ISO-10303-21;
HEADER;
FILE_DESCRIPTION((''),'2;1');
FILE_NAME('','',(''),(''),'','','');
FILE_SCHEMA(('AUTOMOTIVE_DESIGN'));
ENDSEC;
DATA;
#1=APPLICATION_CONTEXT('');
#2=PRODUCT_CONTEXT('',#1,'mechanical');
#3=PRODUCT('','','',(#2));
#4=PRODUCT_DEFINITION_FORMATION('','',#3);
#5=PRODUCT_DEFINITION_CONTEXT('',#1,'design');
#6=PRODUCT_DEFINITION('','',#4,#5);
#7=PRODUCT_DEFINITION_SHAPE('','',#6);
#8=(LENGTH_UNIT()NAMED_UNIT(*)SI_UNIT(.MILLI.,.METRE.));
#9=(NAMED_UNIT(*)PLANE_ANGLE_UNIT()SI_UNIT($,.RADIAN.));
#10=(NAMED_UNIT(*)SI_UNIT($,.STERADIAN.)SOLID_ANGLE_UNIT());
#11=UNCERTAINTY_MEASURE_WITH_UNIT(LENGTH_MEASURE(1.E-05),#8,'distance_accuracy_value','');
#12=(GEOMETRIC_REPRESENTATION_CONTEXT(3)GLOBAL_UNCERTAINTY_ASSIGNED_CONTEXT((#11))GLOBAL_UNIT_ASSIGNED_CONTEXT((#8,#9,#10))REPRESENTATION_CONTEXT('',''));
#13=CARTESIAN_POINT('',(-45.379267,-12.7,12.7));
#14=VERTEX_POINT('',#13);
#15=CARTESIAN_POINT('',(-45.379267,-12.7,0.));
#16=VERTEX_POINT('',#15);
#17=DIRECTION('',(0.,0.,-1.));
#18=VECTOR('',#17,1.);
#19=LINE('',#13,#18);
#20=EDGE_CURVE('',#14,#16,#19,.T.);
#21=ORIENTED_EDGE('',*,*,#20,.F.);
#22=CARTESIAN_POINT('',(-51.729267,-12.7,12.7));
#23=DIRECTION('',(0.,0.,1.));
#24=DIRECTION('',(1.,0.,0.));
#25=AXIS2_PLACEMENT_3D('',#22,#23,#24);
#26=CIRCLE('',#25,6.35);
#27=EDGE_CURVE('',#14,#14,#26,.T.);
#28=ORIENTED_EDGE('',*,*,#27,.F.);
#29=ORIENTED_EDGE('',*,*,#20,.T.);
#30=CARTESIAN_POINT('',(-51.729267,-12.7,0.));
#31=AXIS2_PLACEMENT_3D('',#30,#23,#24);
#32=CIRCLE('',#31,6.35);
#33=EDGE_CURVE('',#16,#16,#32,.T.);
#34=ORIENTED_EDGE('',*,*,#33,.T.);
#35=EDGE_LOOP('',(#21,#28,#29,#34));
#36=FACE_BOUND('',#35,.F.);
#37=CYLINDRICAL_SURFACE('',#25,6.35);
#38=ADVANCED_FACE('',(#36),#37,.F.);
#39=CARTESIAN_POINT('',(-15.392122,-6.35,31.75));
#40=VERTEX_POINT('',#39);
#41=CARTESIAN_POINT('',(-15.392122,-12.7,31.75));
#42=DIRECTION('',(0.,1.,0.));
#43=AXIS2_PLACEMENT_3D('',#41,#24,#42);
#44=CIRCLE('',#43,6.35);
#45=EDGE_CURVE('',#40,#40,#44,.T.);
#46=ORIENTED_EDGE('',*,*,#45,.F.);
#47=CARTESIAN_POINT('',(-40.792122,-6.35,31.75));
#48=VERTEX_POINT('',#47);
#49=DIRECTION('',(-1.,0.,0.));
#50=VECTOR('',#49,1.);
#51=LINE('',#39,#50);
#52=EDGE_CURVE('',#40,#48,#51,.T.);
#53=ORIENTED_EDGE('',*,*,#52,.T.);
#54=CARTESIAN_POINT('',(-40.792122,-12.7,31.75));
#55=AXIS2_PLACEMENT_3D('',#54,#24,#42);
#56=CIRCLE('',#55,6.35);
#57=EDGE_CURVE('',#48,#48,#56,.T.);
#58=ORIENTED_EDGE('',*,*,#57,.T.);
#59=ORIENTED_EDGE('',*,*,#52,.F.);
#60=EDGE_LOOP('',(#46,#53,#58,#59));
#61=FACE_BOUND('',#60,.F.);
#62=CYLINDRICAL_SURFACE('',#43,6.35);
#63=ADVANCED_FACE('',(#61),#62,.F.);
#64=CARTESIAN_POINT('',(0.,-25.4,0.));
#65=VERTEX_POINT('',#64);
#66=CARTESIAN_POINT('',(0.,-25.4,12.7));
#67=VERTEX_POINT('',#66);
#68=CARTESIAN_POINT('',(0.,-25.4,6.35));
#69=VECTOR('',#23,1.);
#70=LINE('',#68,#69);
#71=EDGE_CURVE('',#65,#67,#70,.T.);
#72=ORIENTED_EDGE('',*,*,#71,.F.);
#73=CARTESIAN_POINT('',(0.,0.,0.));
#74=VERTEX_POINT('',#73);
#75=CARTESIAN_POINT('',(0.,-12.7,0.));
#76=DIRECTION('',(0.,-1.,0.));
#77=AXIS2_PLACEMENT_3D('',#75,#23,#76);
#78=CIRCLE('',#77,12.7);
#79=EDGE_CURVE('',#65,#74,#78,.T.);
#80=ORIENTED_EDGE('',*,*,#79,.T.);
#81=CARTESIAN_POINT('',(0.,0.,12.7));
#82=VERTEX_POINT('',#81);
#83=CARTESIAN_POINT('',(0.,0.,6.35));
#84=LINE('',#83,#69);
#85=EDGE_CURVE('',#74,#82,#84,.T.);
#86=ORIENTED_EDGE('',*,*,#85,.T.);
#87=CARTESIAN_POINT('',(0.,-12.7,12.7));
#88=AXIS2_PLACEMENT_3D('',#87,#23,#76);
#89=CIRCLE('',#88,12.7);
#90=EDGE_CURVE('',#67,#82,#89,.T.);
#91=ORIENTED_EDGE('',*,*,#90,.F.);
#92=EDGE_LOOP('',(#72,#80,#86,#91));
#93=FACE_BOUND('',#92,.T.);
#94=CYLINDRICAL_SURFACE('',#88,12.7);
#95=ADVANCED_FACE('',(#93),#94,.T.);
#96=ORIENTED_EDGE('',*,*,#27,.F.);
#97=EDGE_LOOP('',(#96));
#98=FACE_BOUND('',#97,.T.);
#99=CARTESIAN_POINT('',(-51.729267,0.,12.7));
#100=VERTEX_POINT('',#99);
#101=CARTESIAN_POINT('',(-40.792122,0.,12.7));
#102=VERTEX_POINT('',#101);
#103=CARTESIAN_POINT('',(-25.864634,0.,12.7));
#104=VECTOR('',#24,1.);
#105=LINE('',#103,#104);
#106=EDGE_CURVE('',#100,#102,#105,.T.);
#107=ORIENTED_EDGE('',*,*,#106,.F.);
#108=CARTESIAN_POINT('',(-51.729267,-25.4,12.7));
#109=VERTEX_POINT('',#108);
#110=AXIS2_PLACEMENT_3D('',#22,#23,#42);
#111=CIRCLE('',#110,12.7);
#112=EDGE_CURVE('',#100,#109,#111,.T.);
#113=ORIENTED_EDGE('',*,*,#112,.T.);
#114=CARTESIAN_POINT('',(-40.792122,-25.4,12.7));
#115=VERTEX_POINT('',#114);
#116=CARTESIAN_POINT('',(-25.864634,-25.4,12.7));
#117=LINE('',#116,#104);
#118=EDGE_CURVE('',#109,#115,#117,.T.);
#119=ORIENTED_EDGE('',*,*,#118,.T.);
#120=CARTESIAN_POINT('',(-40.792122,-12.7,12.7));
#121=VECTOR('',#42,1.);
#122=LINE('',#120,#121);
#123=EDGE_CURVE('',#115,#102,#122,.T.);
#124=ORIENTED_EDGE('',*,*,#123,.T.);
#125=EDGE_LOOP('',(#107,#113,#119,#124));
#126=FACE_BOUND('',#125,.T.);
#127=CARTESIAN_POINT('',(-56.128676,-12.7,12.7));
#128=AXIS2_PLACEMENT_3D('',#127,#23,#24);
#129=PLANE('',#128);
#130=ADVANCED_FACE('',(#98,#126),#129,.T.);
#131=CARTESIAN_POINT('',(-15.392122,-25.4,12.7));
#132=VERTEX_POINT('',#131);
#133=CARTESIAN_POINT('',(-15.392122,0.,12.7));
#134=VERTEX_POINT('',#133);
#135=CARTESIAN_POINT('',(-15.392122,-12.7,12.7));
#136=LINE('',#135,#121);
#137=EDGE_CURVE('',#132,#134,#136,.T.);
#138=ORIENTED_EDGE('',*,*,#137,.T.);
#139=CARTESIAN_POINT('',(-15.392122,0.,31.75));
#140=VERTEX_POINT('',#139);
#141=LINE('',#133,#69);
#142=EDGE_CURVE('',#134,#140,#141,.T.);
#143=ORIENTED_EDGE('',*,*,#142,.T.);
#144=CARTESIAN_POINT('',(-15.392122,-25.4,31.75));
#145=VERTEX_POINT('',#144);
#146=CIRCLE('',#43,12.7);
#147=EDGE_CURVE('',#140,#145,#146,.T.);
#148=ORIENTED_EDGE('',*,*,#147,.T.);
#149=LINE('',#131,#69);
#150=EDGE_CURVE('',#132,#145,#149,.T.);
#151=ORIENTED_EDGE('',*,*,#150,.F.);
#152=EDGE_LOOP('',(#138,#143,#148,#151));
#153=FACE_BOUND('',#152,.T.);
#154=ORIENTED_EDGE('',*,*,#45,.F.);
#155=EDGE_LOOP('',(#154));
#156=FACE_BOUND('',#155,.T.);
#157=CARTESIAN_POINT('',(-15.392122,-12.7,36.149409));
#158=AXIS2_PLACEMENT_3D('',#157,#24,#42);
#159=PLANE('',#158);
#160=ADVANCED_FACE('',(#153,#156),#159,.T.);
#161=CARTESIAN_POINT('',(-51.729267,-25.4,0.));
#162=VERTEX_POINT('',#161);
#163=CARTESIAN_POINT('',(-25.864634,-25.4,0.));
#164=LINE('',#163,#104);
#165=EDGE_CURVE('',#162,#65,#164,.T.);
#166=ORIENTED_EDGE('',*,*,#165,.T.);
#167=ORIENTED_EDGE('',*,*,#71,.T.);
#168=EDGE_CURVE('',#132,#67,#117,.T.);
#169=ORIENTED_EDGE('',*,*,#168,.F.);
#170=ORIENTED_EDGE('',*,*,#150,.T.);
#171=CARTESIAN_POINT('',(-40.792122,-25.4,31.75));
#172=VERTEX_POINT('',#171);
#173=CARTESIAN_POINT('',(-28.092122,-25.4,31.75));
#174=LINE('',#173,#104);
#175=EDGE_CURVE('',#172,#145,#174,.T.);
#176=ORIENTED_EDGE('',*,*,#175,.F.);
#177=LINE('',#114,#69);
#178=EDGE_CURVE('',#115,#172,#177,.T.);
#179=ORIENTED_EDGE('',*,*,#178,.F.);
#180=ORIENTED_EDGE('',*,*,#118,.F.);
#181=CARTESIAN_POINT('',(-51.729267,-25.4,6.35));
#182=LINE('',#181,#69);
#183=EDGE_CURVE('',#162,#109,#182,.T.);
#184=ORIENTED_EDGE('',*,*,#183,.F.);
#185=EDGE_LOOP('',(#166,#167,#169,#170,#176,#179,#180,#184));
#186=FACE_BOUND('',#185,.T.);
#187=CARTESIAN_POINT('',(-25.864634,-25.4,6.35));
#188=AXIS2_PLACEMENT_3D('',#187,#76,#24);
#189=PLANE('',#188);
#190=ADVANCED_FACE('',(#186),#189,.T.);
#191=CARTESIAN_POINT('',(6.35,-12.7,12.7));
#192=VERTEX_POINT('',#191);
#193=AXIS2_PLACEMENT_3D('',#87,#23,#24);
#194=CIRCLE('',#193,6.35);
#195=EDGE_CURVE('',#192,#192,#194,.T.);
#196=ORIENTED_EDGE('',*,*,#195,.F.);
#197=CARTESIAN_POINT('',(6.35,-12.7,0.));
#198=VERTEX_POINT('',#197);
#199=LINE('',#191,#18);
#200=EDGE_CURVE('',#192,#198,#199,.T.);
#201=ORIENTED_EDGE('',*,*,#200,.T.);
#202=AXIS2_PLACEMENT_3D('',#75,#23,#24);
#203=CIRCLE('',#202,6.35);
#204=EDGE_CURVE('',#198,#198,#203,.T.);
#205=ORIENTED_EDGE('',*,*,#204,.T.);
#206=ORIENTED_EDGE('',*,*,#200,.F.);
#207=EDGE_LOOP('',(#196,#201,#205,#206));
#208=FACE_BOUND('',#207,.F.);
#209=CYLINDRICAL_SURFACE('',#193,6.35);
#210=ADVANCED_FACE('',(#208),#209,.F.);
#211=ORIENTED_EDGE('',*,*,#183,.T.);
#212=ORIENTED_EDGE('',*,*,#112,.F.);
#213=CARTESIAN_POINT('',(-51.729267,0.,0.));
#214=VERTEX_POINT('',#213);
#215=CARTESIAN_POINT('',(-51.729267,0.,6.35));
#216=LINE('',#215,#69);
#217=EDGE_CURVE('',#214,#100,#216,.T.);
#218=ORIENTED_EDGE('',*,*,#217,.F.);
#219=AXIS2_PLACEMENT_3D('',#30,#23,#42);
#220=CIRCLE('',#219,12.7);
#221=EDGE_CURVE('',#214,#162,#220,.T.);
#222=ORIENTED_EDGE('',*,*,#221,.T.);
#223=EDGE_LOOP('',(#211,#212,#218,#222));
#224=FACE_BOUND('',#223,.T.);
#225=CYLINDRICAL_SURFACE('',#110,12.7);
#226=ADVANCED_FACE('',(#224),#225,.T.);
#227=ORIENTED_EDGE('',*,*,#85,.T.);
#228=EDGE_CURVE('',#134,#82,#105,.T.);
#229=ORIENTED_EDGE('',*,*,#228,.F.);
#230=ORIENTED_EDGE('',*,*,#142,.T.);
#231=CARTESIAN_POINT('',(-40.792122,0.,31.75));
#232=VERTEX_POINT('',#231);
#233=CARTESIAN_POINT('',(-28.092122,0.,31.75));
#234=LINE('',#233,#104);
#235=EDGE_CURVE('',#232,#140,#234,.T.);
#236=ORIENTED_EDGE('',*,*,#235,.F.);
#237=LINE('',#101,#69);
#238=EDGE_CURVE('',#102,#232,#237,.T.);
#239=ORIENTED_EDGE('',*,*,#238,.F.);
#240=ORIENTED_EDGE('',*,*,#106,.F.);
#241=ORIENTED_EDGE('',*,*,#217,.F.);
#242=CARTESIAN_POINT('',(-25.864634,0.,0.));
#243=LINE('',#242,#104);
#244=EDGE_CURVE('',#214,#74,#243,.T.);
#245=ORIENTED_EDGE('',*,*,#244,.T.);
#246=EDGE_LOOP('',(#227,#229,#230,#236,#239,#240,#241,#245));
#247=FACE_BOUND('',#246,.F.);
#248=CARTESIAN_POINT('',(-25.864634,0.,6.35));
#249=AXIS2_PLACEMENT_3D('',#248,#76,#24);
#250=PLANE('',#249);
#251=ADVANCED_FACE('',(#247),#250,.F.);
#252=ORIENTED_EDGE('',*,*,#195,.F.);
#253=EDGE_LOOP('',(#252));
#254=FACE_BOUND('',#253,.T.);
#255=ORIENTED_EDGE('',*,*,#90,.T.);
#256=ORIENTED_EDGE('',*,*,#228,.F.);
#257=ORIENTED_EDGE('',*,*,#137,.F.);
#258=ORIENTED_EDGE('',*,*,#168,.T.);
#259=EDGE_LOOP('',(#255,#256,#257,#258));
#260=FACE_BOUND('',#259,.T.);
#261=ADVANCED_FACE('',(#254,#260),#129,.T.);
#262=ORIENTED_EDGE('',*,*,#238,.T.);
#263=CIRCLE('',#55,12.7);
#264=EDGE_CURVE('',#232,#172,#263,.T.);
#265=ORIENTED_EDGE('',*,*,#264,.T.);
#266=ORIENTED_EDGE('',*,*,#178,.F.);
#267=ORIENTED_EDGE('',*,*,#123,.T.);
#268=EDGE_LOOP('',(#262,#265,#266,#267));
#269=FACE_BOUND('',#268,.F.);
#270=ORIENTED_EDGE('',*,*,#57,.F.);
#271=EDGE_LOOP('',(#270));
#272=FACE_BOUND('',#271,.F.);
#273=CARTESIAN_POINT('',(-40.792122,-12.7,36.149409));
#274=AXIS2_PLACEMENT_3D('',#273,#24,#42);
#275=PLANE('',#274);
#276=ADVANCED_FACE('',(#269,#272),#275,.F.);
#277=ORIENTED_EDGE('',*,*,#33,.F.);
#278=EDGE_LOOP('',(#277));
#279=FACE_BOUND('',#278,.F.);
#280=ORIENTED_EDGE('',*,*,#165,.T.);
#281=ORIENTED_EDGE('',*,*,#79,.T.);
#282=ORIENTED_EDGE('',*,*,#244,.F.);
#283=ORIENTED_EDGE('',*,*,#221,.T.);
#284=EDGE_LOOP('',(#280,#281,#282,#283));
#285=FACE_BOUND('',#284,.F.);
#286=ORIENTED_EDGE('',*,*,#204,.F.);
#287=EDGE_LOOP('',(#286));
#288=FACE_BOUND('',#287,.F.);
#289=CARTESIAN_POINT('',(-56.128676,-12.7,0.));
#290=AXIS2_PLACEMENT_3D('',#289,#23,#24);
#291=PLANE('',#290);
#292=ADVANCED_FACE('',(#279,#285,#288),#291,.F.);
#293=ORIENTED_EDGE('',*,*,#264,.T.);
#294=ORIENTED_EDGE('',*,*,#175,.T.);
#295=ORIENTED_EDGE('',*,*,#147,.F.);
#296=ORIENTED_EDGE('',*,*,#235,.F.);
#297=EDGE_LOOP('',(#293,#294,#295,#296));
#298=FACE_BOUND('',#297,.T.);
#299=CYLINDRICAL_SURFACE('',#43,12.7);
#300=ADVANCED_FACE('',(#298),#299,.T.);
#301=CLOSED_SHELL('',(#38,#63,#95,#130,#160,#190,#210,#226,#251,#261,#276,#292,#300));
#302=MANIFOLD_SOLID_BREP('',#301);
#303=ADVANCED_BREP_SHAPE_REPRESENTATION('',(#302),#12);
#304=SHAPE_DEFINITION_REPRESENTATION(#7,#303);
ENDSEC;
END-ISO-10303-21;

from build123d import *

# Parameters (mm, degrees)
F0_W      = 51.7292671493
F0_H      = 12.7
F1_DEPTH  = 25.4
F3_DEPTH  = 12.7
F4_DEPTH  = 25.4
F5_W      = 25.4
F5_H      = 25.4
F6_DEPTH  = 19.05
F8_DEPTH  = 25.4
F9_R      = 6.35
F10_DEPTH = 25.4
F11_R     = 6.35
F12_DEPTH = 25.4
F13_R     = 6.35
F14_DEPTH = 25.4


with BuildPart() as f1:
    # F0 (on Front) → F1 (new body)
    with BuildSketch(Plane.XZ):
        with Locations((-25.8646335747, 6.35)):
            Rectangle(F0_W, F0_H)
    extrude(amount=F1_DEPTH)

    # F2 (on face) → F3 (join)
    with BuildSketch(Plane.XY.offset(12.7)):
        with BuildLine():
            ThreePointArc((-51.7292671493, 0), (-64.4292671493, -12.7), (-51.7292671493, -25.4))
            Line((-51.7292671493, -25.4), (-51.7292671493, 0))
        make_face()
        with BuildLine():
            Line((0, 0), (0, -25.4))
            ThreePointArc((0, -25.4), (12.7, -12.7), (0, 0))
        make_face()
    extrude(amount=-F3_DEPTH)

    # F0 (on Front) → F4 (join)
    with BuildSketch(Plane.XZ):
        with Locations((-25.8646335747, 6.35)):
            Rectangle(F0_W, F0_H)
    extrude(amount=F4_DEPTH)

    # F5 (on face) → F6 (join)
    with BuildSketch(Plane.XY.offset(12.7)):
        with Locations((-28.0921224833, -12.7)):
            Rectangle(F5_W, F5_H)
    extrude(amount=F6_DEPTH)

    # F7 (on face) → F8 (join)
    with BuildSketch(Plane.YZ.offset(-15.3921224833)):
        with BuildLine():
            Line((-25.4, 31.75), (0, 31.75))
            ThreePointArc((0, 31.75), (-12.7, 44.45), (-25.4, 31.75))
        make_face()
    extrude(amount=-F8_DEPTH)

    # F9 (on face) → F10 (cut)
    with BuildSketch(Plane.YZ.offset(-15.3921224833)):
        with Locations((-12.7, 31.75)):
            Circle(F9_R)
    extrude(amount=-F10_DEPTH, mode=Mode.SUBTRACT)

    # F11 (on face) → F12 (cut)
    with BuildSketch(Plane.XY.offset(12.7)):
        with Locations((0, -12.7)):
            Circle(F11_R)
    extrude(amount=-F12_DEPTH, mode=Mode.SUBTRACT)

    # F13 (on face) → F14 (cut)
    with BuildSketch(Plane.XY.offset(12.7)):
        with Locations((-51.7292671493, -12.7)):
            Circle(F13_R)
    extrude(amount=-F14_DEPTH, mode=Mode.SUBTRACT)


solid = f1.part
